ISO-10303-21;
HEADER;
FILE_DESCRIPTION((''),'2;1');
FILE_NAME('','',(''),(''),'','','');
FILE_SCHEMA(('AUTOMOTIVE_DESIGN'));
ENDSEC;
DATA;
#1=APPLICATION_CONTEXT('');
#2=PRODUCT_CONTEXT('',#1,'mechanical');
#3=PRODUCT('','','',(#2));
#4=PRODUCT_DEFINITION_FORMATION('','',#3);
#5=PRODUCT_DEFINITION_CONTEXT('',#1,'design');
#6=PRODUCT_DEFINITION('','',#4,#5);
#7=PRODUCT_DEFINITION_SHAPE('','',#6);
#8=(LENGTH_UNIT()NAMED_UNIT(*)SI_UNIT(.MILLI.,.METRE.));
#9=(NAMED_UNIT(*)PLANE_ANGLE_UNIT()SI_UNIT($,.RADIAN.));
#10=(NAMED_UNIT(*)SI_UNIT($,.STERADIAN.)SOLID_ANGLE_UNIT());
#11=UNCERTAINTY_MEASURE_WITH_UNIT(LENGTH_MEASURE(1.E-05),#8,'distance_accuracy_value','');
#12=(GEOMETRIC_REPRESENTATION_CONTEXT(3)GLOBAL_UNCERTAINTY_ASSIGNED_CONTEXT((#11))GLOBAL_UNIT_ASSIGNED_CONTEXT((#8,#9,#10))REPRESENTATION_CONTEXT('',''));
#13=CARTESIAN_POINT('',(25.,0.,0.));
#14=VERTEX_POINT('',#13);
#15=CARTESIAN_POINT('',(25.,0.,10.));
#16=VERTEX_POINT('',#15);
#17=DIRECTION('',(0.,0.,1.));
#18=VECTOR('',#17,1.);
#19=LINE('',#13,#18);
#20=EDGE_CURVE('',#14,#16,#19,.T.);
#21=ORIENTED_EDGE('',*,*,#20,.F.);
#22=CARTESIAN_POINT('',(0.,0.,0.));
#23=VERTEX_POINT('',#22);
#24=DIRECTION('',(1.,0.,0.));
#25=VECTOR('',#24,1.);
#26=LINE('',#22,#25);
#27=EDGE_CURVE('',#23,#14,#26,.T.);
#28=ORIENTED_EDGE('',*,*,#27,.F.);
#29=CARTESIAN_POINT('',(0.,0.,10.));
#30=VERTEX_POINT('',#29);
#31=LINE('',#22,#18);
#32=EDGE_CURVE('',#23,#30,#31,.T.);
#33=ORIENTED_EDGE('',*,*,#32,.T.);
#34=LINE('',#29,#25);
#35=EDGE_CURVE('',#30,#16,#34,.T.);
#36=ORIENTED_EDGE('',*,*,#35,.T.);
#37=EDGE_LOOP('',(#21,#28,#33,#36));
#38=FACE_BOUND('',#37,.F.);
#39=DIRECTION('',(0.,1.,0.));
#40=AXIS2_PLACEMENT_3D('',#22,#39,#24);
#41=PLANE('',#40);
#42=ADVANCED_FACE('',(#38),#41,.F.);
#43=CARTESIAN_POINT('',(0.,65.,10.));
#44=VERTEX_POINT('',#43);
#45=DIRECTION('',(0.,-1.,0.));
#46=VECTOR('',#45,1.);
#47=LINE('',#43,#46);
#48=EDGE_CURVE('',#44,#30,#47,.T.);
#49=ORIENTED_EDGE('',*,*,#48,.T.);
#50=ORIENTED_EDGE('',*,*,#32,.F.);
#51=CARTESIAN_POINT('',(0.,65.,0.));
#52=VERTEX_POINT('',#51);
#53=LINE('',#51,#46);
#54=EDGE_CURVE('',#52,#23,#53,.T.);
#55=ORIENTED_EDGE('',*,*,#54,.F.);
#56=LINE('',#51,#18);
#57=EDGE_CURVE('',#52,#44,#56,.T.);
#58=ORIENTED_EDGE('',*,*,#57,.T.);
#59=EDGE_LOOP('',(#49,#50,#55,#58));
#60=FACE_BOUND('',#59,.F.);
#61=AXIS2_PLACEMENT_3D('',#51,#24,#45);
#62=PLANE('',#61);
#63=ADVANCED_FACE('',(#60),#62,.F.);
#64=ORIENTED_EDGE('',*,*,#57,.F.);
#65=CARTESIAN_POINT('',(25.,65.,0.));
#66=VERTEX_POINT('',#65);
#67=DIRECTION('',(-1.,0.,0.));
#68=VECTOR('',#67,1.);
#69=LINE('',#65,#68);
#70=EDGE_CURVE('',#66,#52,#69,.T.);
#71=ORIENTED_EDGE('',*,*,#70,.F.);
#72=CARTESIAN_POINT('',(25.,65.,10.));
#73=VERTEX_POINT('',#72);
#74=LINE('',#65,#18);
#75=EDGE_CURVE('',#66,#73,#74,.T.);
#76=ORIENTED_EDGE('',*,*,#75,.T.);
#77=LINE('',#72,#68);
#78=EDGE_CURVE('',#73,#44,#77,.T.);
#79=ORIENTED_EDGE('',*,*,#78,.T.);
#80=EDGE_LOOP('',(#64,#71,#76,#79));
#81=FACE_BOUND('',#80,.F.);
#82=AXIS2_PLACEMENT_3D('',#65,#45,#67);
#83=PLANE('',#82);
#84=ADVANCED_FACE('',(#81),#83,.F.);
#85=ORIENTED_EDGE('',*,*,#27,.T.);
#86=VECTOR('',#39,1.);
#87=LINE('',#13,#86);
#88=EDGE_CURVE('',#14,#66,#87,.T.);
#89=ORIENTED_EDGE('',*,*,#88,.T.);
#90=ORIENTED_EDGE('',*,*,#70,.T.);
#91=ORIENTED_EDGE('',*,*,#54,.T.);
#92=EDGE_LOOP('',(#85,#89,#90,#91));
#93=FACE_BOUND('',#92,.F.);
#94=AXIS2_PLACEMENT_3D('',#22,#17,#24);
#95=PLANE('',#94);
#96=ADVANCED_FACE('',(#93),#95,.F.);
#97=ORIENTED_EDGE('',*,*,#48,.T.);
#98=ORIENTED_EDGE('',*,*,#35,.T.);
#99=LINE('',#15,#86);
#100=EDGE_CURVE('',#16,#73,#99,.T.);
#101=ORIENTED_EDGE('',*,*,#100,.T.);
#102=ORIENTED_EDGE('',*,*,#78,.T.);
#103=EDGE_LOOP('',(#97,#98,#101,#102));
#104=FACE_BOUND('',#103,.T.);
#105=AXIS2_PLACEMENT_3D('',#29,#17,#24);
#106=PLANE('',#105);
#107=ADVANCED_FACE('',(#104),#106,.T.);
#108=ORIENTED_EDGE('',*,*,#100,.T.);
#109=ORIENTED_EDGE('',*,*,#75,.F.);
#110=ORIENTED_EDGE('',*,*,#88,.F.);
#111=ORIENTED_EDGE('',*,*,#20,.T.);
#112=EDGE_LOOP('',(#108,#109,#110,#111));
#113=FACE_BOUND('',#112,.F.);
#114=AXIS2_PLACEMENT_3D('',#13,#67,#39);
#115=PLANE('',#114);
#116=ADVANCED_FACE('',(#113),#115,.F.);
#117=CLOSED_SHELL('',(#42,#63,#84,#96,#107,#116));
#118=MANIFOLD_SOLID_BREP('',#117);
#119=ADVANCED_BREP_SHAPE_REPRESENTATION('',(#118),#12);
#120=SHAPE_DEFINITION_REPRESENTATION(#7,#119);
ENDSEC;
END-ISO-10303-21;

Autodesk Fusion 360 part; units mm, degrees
sketch "Sketch1" plane through (0, 0, 0) normal (0, 0, 1) x (1, 0, 0)
  line L0 (0, 0) -> (25, 0)
  line L1 (25, 0) -> (25, 65)
  line L2 (25, 65) -> (0, 65)
  line L3 (0, 65) -> (0, 0)
  dimension "d1" = 25
  dimension "d2" = 65
extrude "Extrude1" add sketch "Sketch1" along normal blind 10
